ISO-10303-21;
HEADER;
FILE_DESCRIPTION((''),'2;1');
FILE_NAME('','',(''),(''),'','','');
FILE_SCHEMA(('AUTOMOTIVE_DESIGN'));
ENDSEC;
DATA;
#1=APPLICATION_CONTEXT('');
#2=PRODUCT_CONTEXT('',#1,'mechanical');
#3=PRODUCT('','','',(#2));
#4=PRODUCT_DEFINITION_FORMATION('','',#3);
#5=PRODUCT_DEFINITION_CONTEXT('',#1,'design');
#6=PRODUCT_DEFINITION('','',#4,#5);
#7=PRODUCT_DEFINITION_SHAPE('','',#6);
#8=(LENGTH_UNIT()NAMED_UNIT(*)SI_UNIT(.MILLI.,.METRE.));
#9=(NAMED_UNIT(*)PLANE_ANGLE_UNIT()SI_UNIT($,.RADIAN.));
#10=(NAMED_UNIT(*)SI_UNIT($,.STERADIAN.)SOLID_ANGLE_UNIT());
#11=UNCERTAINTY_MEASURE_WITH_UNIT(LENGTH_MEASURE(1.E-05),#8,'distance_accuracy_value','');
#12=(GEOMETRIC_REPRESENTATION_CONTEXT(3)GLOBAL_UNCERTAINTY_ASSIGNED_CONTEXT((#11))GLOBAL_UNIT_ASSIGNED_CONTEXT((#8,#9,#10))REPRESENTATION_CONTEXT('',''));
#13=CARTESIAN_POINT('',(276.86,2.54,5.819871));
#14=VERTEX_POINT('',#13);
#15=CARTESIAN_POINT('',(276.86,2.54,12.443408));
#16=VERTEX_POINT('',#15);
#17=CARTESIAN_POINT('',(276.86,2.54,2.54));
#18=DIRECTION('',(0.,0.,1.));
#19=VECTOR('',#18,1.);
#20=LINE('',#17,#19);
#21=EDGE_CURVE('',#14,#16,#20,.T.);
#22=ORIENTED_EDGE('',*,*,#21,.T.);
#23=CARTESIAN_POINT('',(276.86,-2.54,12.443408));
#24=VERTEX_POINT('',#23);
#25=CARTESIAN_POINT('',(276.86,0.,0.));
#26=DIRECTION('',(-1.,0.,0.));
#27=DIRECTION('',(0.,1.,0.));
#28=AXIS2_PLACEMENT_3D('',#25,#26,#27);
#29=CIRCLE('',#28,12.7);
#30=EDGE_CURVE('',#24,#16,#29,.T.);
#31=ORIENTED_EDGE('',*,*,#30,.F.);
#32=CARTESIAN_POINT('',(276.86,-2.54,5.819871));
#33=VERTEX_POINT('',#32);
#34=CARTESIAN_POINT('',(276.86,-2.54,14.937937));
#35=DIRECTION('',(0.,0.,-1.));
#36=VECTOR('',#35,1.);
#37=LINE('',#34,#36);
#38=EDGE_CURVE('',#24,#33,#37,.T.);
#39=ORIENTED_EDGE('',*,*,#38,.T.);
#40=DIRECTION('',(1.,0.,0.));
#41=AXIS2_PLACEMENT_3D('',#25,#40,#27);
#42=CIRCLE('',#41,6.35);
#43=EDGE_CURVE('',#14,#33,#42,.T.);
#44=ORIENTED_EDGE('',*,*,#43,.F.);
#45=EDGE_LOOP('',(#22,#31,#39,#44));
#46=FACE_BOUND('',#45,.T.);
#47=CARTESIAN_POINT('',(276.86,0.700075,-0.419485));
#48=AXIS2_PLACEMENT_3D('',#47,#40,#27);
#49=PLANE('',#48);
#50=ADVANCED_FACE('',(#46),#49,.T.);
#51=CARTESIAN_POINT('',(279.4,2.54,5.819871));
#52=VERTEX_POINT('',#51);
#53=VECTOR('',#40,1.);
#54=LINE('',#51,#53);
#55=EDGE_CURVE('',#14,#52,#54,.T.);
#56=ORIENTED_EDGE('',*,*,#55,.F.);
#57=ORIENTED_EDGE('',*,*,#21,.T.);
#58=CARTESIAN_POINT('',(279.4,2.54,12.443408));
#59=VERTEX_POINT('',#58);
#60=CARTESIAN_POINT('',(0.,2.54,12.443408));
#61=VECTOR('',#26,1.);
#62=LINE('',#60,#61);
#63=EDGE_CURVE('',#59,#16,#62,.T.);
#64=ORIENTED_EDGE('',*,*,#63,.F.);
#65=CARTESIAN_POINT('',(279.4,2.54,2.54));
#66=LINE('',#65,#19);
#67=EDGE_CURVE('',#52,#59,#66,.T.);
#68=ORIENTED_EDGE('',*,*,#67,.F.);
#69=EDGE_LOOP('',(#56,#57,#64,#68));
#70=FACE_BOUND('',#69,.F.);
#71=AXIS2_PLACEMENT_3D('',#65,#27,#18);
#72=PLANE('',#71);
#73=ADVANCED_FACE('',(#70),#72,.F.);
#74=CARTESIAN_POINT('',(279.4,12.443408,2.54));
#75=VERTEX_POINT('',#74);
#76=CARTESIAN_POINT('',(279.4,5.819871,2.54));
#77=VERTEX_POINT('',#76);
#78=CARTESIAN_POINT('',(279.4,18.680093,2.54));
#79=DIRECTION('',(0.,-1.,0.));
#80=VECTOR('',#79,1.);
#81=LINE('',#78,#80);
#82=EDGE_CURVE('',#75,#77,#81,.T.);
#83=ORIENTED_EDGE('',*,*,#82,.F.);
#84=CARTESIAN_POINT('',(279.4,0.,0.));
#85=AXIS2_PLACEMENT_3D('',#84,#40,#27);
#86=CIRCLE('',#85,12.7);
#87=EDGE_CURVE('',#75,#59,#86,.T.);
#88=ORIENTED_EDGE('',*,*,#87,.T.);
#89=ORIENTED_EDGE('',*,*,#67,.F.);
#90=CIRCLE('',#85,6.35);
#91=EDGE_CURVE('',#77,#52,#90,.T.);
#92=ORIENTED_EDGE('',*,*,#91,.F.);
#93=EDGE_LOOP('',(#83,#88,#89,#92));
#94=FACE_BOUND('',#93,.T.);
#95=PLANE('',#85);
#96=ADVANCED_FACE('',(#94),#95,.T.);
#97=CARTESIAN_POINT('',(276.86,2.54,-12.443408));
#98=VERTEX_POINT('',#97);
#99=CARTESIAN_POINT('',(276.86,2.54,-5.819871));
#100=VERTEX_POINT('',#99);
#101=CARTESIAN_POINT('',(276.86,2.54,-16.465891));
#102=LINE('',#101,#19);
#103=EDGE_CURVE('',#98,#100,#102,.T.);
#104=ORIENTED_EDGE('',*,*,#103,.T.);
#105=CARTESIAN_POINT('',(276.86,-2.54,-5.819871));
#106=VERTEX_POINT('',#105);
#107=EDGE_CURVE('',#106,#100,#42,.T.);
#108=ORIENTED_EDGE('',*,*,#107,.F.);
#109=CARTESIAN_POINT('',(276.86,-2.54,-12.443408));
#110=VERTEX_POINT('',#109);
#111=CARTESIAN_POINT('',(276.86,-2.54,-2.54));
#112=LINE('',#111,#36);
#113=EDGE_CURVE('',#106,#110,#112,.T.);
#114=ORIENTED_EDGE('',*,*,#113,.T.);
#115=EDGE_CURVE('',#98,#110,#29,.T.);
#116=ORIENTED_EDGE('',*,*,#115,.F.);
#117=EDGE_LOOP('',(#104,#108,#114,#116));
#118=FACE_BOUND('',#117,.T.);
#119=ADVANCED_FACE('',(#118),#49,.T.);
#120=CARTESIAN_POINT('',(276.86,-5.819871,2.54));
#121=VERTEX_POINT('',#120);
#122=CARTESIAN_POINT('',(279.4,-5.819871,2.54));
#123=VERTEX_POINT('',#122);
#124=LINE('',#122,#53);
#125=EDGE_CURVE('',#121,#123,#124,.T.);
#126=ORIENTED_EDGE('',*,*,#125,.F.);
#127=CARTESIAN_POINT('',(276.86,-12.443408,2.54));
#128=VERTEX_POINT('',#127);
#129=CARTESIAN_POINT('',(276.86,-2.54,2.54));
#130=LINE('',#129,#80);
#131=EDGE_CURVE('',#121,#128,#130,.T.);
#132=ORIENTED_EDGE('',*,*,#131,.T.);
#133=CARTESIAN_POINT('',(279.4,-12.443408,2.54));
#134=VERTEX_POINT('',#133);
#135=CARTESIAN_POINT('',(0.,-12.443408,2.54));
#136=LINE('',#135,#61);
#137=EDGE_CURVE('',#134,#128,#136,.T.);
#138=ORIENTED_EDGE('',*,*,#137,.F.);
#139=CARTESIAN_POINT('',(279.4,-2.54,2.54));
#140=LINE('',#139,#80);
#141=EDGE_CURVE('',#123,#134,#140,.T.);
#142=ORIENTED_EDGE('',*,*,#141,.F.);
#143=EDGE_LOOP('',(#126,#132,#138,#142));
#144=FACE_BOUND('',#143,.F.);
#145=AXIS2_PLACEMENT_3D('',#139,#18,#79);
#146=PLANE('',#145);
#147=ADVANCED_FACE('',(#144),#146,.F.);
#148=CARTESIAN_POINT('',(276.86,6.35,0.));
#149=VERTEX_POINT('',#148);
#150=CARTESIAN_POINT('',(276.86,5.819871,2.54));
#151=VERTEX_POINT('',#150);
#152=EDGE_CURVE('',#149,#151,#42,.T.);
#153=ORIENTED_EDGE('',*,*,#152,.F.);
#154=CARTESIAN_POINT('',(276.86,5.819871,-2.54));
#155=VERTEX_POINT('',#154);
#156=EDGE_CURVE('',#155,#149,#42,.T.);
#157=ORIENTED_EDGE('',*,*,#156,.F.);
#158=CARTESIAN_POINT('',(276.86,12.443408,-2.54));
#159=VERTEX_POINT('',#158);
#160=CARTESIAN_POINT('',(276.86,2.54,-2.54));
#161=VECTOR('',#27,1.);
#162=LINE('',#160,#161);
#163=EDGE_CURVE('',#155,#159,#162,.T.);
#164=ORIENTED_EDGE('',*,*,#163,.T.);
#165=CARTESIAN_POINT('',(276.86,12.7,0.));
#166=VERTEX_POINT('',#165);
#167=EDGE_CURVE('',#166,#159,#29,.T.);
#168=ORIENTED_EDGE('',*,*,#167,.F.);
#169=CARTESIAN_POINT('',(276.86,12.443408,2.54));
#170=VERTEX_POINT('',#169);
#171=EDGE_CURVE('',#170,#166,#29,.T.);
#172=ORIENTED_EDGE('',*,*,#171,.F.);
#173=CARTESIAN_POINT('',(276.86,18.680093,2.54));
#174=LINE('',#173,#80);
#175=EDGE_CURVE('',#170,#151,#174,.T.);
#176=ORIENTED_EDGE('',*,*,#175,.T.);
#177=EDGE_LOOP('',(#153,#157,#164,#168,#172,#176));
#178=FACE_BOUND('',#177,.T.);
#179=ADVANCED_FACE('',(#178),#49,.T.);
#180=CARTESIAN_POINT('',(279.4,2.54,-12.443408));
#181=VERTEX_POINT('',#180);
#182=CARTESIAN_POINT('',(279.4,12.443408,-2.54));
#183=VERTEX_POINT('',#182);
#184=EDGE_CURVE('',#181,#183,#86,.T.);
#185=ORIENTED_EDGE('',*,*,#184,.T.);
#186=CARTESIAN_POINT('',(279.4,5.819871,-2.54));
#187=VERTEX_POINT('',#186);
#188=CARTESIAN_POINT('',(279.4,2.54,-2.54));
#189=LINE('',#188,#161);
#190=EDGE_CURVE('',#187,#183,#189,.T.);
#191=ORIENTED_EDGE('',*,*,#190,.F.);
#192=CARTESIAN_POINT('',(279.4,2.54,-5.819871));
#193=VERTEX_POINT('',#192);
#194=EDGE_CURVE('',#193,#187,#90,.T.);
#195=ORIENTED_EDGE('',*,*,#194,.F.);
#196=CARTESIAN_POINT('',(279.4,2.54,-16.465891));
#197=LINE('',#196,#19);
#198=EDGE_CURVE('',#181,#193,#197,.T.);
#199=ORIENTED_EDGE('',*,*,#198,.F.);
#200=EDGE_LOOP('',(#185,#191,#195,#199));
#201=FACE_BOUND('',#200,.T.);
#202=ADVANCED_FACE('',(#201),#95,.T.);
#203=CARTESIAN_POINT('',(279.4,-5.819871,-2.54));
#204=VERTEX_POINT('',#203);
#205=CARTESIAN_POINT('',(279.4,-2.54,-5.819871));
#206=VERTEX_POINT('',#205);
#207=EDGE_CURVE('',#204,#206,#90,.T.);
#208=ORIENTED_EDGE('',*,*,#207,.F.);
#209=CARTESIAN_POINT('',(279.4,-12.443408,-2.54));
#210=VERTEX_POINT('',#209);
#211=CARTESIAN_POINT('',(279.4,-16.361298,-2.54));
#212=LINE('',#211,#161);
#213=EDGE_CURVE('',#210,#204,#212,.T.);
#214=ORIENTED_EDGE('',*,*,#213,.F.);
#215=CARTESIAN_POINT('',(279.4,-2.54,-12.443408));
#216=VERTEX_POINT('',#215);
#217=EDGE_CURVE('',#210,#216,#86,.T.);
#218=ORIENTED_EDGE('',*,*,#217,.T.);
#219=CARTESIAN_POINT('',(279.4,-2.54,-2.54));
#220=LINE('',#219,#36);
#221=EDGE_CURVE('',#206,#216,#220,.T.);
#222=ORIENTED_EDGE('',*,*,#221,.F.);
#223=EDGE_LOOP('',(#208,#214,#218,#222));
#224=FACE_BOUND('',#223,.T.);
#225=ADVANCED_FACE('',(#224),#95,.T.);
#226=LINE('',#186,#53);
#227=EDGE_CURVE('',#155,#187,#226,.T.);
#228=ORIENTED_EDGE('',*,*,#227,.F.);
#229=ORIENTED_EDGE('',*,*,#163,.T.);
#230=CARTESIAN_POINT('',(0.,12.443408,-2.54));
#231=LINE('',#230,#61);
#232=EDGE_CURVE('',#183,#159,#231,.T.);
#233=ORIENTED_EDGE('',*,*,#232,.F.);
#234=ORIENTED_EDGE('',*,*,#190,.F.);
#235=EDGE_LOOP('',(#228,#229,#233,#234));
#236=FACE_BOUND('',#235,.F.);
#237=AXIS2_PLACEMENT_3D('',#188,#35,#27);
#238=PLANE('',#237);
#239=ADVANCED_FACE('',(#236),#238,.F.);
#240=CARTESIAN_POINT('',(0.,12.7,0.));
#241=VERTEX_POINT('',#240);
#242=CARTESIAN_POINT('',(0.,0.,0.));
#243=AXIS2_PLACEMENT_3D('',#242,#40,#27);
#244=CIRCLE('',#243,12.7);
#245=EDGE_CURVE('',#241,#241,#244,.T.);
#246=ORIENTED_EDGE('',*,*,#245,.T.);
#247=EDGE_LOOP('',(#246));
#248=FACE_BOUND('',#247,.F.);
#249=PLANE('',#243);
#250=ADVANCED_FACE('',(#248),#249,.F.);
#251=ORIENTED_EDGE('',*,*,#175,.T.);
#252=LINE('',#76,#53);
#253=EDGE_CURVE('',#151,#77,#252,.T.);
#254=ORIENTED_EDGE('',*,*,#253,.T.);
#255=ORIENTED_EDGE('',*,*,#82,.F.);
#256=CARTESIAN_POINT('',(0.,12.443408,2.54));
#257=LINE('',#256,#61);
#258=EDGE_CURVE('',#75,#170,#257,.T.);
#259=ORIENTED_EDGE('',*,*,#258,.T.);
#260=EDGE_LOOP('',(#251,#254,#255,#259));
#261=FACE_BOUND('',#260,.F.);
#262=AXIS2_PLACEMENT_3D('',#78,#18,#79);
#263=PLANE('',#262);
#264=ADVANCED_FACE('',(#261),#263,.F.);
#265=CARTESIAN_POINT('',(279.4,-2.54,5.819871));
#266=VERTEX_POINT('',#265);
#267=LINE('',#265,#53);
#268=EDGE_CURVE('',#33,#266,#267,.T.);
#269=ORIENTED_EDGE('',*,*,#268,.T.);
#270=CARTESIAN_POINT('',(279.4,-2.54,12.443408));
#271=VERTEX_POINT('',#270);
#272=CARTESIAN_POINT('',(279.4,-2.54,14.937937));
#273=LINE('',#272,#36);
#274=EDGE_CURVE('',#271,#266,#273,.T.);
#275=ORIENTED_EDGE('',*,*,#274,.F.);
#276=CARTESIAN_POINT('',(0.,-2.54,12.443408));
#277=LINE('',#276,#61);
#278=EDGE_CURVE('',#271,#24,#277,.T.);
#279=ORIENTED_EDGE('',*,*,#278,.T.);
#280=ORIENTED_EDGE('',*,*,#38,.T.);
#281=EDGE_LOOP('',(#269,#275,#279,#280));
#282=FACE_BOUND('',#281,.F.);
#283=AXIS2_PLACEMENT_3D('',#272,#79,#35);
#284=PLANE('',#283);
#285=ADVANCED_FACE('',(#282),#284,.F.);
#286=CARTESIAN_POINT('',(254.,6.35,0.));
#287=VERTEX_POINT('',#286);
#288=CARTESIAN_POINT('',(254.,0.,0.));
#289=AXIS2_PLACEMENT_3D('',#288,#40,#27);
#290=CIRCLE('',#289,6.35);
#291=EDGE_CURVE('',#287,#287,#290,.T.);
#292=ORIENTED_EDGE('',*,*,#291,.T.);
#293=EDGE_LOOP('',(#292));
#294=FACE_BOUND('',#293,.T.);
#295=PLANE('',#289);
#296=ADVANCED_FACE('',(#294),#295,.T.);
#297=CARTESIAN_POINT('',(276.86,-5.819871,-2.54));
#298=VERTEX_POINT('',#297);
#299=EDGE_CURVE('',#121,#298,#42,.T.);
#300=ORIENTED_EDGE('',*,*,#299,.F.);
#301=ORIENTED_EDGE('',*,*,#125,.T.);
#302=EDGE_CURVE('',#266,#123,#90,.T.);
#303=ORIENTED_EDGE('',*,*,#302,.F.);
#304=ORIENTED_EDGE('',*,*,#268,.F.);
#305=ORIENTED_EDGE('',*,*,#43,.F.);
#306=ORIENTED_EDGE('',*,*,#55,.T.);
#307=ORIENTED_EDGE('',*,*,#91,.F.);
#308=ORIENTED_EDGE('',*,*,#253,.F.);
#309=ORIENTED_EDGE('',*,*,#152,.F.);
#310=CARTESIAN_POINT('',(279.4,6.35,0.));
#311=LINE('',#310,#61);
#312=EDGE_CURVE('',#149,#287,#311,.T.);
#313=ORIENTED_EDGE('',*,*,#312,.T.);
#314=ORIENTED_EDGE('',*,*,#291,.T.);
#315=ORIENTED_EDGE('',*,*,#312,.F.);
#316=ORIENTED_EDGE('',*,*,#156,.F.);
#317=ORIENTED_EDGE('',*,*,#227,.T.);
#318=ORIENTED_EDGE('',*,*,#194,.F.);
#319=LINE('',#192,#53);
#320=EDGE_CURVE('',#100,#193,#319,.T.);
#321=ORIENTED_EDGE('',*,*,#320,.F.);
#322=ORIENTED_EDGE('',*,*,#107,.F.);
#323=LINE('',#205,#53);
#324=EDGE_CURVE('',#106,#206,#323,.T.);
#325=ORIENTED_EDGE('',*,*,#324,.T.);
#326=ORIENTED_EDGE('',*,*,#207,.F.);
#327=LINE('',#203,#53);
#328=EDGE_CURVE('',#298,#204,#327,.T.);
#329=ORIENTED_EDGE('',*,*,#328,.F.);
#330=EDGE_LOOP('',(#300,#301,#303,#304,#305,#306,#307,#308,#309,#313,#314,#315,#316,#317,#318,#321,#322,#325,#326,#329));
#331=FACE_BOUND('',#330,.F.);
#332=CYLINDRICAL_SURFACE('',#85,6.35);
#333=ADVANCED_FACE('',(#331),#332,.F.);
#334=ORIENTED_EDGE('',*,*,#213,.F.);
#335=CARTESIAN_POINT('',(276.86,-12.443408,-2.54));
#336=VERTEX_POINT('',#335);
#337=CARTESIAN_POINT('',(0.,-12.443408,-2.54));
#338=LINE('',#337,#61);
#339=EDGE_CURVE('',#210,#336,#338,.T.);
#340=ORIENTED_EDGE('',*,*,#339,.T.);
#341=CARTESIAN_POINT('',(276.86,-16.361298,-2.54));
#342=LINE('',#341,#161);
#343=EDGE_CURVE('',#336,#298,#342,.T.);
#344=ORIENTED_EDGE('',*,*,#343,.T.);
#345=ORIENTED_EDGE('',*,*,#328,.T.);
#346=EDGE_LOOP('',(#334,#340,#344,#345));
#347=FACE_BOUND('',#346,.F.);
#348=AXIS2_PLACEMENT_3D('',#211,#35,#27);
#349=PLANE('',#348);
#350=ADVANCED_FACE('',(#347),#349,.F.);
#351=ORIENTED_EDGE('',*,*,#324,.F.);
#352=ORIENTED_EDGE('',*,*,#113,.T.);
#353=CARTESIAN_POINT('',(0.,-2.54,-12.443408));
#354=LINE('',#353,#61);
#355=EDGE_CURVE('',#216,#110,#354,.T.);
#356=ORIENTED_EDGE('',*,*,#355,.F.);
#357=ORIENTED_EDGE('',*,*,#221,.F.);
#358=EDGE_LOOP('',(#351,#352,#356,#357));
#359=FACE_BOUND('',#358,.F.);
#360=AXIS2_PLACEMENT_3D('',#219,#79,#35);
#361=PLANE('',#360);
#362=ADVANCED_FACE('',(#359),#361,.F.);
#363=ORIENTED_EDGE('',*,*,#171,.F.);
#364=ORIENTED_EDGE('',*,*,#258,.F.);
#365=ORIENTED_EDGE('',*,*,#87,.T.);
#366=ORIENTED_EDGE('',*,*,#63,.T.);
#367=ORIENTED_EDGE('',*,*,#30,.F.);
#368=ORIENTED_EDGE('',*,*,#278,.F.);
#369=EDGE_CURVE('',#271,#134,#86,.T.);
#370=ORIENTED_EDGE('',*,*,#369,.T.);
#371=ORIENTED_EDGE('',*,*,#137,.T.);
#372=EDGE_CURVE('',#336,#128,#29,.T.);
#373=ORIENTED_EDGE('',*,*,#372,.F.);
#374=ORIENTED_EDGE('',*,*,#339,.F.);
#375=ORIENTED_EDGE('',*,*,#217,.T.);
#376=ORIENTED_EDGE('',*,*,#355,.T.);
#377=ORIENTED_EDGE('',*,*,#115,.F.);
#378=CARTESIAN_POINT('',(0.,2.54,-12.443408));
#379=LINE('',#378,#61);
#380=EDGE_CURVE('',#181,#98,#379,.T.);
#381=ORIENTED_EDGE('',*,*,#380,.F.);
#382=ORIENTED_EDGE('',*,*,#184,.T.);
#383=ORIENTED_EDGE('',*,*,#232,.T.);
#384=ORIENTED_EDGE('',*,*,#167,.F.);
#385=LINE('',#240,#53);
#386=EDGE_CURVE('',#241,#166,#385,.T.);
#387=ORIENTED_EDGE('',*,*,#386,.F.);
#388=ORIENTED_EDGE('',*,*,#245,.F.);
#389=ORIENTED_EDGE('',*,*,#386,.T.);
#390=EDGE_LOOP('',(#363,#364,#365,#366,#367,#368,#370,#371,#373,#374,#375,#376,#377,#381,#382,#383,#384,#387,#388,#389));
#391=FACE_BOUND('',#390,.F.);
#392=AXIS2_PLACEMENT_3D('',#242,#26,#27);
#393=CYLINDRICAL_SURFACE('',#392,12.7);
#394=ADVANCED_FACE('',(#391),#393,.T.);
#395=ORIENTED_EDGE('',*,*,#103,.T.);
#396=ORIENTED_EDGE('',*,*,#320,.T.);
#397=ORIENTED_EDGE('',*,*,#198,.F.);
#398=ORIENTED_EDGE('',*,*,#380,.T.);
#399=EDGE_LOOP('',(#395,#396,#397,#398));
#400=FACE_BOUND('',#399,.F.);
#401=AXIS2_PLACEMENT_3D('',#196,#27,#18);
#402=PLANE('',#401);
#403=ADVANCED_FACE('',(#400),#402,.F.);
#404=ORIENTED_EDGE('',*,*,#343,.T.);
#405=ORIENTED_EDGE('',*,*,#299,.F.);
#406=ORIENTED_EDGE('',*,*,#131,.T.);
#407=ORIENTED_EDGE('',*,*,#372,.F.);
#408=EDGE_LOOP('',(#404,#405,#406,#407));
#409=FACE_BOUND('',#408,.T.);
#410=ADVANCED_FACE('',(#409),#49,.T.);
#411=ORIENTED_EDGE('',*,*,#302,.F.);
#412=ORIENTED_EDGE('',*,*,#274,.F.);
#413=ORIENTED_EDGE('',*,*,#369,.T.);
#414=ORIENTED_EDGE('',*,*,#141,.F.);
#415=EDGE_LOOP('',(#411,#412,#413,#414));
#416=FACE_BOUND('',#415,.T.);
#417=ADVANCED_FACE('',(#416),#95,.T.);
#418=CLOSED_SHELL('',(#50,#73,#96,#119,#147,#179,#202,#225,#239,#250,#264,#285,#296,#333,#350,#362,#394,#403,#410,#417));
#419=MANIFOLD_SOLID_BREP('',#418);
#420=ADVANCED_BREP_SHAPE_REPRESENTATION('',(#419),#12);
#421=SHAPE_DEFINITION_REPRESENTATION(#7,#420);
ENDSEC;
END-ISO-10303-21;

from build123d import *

# Parameters (mm, degrees)
F0_R     = 12.7
F1_DEPTH = 279.4
F2_R     = 6.35
F3_DEPTH = 25.4
F5_DEPTH = 2.54


with BuildPart() as f1:
    # F0 (on Right) → F1 (new body)
    with BuildSketch(Plane.YZ):
        Circle(F0_R)
    extrude(amount=F1_DEPTH)

    # F2 (on face) → F3 (cut)
    with BuildSketch(Plane.YZ.offset(279.4)):
        Circle(F2_R)
    extrude(amount=-F3_DEPTH, mode=Mode.SUBTRACT)

    # F4 (on face) → F5 (cut)
    with BuildSketch(Plane.YZ.offset(279.4)):
        Polygon((2.54, 14.937937), (-2.54, 14.937937), (-2.54, 2.54), (-16.361298, 2.54), (-16.361298, -2.54), (-2.54, -2.54), (-2.54, -16.465891), (2.54, -16.465891), (2.54, -2.54), (18.680093, -2.54), (18.680093, 2.54), (2.54, 2.54), align=None)
    extrude(amount=-F5_DEPTH, mode=Mode.SUBTRACT)


solid = f1.part
